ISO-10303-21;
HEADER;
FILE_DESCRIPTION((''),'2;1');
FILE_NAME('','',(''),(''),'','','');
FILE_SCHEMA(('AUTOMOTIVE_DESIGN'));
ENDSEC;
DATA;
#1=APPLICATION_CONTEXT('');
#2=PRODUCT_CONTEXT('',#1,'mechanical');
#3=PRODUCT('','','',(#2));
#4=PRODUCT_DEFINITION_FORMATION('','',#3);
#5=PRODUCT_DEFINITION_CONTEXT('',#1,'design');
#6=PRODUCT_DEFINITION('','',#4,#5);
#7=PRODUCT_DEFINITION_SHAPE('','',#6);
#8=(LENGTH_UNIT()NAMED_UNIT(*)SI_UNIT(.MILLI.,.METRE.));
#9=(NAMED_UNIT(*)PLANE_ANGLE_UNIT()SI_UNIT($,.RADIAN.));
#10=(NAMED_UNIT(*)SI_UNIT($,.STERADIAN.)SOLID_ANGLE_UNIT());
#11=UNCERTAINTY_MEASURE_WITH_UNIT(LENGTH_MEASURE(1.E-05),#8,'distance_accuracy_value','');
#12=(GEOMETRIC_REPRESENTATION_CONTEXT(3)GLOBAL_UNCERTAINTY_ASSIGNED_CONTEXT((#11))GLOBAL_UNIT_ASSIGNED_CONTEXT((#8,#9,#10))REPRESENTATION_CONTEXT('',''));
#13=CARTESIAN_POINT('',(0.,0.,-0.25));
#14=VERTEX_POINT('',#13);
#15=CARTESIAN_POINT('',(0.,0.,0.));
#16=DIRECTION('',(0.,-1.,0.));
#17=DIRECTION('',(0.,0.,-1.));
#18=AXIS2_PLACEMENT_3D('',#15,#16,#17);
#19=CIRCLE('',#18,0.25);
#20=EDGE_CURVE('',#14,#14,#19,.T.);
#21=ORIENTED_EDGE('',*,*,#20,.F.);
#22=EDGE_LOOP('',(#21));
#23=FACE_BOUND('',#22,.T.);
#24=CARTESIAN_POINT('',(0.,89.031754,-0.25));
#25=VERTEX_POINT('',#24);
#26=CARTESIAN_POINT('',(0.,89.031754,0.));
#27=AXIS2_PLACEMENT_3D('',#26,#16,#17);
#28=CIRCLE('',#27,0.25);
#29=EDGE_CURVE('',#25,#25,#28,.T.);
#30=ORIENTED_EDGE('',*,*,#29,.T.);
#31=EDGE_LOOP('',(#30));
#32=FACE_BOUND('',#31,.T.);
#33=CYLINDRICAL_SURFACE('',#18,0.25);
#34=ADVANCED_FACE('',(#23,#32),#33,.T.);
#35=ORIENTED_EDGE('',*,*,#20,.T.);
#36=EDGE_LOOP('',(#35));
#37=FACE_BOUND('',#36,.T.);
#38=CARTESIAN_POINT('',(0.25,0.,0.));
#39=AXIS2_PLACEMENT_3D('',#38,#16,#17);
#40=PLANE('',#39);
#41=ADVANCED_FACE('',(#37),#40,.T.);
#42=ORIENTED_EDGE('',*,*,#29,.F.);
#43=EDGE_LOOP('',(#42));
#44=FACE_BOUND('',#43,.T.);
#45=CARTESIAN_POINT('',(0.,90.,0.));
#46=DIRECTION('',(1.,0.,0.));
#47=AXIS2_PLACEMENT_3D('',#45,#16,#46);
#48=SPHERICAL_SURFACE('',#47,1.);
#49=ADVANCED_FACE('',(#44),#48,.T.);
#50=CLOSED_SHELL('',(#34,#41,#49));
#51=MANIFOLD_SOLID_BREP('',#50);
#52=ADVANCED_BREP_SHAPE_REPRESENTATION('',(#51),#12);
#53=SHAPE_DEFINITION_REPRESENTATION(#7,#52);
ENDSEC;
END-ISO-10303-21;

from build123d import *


with BuildPart() as part:
    # Sketch1 → Revolve1 (revolve)
    with BuildSketch(Plane.XY, mode=Mode.PRIVATE) as revolve1_sk:
        with BuildLine():
            Line((0, 0), (0, 90))
            Line((0, 90), (0, 91))
            ThreePointArc((0, 91), (0.992029696, 90.126004292), (0.25, 89.031754163))
            Line((0.25, 89.031754163), (0.25, 0))
            Line((0.25, 0), (0, 0))
        make_face()
    revolve(revolve1_sk.sketch.rotate(Axis((0, 0, 0), (0, 1, 0)), 90), axis=Axis((0, 0, 0), (0, 1, 0)))


solid = part.part
